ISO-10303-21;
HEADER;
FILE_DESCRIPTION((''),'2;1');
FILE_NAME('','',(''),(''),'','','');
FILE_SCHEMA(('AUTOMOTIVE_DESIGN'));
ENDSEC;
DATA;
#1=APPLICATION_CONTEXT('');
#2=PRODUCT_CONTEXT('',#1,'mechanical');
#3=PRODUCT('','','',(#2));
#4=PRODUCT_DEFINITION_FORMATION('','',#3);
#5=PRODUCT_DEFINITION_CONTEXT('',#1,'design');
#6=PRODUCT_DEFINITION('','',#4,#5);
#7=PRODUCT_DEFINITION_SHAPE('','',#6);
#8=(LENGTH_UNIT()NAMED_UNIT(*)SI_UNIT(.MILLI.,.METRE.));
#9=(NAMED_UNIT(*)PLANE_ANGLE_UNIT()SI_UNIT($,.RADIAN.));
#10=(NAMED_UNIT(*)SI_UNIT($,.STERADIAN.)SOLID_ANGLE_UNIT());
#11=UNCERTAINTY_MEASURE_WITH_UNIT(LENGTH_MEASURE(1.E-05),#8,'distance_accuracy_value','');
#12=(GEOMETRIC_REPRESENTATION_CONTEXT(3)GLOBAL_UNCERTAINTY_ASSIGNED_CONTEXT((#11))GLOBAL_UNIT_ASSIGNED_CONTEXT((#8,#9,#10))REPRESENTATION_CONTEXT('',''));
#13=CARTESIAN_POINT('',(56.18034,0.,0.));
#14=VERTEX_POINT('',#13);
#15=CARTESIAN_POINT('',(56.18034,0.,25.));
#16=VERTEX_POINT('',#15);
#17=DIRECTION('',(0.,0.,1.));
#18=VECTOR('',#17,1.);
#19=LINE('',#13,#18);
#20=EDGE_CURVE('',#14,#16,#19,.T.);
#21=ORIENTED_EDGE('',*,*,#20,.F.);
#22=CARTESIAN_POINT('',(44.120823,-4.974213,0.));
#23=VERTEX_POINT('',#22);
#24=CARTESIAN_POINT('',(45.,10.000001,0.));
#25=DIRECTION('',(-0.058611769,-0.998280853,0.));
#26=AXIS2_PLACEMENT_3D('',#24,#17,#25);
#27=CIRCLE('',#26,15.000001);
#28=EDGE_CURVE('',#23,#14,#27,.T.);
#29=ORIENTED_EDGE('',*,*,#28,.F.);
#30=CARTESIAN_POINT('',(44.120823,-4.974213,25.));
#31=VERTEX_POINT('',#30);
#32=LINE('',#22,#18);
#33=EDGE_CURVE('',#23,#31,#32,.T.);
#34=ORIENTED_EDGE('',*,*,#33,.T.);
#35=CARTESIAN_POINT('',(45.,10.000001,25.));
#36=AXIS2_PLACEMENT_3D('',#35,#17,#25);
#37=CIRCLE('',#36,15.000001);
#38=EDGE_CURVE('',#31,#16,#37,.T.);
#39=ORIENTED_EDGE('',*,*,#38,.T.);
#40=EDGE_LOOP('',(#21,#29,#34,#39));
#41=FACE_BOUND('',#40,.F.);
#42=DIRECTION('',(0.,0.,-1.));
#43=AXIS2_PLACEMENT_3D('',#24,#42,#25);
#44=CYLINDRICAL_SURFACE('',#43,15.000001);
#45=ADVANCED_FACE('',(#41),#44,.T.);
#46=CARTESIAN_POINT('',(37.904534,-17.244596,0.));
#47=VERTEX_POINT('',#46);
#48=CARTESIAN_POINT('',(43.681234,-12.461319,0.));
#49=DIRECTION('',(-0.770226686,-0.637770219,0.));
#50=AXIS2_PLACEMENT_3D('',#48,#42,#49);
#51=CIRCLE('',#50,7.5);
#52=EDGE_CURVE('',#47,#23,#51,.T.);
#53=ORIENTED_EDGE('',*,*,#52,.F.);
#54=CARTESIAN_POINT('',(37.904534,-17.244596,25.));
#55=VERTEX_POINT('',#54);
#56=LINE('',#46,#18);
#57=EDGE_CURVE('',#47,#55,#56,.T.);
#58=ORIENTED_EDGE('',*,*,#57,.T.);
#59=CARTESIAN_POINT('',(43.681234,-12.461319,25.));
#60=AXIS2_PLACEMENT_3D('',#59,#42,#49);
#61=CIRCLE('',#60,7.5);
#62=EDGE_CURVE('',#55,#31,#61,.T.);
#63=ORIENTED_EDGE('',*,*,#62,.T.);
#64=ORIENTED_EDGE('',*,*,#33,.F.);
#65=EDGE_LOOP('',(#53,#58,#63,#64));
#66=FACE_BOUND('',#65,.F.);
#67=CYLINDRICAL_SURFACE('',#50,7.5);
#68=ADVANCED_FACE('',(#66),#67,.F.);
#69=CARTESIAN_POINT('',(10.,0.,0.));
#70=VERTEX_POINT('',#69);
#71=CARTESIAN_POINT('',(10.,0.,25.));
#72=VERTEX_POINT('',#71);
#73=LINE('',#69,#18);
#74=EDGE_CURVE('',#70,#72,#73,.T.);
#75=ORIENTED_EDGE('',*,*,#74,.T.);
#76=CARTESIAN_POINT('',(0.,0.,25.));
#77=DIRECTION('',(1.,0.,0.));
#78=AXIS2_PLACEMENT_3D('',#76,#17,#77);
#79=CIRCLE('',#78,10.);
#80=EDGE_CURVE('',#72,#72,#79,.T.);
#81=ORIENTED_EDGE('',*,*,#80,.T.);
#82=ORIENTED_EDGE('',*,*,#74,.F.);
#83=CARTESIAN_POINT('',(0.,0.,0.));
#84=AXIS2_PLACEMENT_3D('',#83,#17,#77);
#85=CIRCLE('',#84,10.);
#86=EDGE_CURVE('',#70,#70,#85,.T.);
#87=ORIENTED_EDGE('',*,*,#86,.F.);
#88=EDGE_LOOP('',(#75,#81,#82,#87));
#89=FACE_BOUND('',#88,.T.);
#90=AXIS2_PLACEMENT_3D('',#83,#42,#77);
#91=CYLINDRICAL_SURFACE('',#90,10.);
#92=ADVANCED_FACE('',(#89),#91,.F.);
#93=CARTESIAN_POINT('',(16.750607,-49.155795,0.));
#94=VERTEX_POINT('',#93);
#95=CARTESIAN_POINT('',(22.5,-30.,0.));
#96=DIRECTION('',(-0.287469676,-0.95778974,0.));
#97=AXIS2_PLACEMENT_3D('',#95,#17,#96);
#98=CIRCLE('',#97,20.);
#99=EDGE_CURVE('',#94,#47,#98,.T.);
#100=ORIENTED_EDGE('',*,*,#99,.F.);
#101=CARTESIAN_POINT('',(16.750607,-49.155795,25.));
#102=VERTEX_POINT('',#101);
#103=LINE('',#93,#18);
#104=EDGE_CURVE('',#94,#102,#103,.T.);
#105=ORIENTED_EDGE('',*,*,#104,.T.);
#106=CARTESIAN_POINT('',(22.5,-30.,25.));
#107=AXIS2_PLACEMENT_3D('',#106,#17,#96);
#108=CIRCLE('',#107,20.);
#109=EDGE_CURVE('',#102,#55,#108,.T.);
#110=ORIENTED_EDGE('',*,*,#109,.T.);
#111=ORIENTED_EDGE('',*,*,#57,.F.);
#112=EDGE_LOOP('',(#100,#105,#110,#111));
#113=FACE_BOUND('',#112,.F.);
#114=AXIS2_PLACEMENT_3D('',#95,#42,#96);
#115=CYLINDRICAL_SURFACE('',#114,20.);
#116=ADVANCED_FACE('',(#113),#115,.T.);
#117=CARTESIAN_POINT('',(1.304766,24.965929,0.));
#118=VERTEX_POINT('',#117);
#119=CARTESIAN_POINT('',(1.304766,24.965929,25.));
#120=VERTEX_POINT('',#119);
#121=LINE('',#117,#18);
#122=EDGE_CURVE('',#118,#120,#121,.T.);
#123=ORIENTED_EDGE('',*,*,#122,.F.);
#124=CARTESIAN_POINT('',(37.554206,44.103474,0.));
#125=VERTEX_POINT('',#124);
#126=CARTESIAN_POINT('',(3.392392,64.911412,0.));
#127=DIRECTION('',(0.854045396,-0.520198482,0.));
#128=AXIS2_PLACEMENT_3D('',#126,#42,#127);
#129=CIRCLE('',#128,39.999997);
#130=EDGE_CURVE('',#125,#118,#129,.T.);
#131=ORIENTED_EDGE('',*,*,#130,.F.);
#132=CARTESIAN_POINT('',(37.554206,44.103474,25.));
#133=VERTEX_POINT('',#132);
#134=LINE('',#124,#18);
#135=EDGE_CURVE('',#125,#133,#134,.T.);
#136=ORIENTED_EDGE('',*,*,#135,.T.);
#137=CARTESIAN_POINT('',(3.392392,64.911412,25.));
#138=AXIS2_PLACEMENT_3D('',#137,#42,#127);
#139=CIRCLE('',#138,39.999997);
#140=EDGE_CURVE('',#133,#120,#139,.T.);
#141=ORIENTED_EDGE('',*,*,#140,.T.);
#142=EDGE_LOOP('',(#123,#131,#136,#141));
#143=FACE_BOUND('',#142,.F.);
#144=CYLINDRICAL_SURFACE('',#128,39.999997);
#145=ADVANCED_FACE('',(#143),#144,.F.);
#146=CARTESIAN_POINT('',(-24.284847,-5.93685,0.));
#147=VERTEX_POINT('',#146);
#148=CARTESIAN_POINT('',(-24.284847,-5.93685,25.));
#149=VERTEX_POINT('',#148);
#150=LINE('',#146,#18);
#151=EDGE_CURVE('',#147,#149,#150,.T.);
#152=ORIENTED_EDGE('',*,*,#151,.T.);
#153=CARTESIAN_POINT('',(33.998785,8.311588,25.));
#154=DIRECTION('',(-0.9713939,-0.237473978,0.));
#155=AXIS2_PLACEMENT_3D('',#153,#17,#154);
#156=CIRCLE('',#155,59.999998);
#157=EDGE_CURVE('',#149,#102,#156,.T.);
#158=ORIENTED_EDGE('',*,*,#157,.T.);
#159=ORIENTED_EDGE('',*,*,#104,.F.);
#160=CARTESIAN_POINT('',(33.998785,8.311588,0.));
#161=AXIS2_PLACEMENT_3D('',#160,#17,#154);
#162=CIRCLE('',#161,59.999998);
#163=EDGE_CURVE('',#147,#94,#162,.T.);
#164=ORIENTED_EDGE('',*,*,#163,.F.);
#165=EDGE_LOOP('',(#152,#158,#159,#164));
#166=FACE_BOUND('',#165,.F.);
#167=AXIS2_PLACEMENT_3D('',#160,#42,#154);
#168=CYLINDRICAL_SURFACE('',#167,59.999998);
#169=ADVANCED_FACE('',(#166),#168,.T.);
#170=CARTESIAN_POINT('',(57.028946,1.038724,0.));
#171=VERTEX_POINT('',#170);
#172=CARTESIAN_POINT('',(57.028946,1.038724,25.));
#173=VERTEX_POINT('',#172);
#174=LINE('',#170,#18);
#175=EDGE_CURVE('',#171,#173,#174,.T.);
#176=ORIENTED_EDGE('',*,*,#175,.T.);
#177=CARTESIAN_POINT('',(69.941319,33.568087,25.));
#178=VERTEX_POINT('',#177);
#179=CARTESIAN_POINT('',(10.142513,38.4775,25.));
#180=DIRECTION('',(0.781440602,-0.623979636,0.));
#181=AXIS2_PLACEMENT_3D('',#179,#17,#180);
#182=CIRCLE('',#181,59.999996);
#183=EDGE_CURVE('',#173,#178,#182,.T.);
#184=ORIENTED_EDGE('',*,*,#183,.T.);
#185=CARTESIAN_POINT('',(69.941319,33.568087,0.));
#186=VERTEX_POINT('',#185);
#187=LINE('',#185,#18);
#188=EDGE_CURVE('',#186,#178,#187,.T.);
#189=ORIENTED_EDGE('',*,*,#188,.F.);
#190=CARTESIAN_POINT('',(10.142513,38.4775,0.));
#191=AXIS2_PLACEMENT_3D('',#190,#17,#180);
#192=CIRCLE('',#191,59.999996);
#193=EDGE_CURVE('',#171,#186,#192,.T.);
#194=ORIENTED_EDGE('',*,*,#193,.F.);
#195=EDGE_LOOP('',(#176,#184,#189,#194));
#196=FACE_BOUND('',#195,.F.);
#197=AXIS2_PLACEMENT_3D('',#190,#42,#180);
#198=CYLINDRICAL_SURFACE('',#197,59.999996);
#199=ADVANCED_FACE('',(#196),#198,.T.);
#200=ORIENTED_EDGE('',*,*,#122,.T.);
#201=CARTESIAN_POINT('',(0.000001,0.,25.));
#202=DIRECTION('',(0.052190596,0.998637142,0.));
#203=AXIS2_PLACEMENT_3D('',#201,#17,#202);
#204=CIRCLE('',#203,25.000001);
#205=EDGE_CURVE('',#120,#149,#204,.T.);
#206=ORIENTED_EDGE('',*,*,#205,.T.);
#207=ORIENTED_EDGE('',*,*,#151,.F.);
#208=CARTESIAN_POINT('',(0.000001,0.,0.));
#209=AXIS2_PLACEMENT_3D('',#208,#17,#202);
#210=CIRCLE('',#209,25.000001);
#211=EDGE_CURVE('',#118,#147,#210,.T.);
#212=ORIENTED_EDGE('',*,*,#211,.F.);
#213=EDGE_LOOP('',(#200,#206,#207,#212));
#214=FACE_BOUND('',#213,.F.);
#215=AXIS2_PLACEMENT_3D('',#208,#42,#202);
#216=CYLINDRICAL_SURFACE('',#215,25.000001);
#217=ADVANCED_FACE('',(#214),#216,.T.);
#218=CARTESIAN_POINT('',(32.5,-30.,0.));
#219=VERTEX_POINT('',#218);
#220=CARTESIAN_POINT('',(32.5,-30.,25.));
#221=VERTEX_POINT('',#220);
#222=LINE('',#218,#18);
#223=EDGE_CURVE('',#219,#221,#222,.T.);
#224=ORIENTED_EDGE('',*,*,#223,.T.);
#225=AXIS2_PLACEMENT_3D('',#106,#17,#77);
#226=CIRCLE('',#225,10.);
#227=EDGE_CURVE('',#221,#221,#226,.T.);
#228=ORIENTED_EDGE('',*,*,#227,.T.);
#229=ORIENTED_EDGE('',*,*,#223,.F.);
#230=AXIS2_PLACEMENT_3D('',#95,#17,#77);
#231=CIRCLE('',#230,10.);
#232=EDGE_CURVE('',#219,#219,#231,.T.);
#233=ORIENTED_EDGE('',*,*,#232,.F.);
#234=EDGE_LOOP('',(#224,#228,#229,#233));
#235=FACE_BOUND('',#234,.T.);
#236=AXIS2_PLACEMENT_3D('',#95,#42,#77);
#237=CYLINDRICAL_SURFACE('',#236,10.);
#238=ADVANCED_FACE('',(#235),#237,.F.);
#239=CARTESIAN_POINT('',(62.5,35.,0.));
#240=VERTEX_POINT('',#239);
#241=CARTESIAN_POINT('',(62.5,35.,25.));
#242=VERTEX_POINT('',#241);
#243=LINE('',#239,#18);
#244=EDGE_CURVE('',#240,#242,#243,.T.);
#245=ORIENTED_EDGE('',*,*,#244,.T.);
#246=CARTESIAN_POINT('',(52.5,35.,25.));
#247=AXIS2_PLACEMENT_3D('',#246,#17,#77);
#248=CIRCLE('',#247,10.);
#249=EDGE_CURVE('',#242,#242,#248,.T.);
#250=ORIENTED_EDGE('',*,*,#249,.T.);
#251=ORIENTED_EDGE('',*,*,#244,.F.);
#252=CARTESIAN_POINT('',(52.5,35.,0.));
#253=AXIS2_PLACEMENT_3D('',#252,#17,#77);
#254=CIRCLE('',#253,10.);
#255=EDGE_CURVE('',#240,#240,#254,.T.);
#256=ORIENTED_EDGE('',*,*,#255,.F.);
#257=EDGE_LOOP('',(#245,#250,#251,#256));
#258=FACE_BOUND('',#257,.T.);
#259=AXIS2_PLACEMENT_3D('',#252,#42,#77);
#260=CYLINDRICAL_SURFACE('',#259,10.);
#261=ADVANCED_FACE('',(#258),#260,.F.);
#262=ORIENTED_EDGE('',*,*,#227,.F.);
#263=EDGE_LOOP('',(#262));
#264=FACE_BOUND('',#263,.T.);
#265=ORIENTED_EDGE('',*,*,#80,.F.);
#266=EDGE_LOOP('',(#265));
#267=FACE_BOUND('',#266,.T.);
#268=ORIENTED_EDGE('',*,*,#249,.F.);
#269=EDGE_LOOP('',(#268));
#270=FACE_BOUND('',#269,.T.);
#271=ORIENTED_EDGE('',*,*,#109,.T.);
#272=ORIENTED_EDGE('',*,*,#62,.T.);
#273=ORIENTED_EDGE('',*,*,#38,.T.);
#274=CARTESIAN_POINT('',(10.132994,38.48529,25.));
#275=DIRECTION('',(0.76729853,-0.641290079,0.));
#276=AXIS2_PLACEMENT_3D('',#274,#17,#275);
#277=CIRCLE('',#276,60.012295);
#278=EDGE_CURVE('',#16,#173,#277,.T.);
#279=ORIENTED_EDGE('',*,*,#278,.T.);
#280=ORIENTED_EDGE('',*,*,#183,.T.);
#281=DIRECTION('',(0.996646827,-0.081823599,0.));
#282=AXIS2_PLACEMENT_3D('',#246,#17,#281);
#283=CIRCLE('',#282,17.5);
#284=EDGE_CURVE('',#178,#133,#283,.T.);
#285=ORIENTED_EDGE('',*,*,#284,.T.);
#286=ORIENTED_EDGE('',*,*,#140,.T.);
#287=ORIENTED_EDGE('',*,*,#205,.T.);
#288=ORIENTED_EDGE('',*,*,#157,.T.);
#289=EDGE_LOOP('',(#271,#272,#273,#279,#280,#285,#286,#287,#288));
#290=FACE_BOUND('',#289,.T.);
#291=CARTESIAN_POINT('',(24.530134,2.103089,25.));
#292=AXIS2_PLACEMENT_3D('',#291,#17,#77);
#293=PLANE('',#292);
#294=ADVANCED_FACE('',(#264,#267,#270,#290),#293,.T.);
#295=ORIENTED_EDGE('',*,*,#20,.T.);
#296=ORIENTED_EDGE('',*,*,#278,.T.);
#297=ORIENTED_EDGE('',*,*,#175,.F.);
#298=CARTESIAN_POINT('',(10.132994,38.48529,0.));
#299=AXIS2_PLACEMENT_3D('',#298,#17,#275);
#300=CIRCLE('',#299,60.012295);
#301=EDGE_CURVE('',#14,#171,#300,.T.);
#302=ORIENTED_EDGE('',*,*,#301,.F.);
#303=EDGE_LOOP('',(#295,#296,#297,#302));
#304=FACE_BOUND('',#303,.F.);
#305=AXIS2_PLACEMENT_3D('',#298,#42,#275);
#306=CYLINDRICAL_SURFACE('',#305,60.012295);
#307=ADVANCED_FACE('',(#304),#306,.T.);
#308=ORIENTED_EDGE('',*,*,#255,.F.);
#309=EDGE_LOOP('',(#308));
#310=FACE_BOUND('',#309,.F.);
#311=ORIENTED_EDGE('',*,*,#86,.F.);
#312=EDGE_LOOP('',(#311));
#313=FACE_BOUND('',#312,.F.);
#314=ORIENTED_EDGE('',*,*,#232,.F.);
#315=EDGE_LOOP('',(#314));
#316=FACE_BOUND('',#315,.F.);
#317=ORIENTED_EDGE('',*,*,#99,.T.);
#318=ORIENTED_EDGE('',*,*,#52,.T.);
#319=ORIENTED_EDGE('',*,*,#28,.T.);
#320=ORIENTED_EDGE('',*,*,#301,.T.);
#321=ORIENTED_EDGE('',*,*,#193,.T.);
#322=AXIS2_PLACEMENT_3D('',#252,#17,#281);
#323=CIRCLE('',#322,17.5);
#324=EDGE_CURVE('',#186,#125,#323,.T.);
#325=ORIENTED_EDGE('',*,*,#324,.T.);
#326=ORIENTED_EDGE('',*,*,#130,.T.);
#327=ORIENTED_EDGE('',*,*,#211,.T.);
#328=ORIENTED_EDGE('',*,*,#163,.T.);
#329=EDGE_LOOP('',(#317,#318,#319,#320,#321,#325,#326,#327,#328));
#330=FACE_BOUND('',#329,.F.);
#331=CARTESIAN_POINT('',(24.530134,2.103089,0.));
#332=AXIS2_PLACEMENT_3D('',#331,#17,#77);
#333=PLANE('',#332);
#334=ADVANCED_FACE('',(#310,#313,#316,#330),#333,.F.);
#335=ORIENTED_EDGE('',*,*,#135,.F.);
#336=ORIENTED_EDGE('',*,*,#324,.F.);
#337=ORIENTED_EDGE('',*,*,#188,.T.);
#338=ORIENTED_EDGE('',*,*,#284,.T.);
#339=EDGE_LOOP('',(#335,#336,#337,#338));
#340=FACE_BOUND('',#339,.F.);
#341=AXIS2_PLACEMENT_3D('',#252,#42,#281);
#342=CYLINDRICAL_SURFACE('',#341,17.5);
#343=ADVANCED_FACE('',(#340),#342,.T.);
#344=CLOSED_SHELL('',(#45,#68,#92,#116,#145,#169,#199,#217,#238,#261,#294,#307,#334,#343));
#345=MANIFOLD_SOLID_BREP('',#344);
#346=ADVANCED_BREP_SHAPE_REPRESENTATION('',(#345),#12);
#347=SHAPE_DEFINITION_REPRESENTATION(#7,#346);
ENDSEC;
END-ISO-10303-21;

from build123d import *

# Parameters (mm, degrees)
F0_R     = 10
F1_DEPTH = 25


with BuildPart() as f1:
    # F0 (on Top) → F1 (new body)
    with BuildSketch(Plane.XY):
        with BuildLine():
            ThreePointArc((37.554206, 44.103474), (22.067235, 29.538399), (1.304766, 24.965929))
            ThreePointArc((1.304766, 24.965929), (-19.255297, 15.944702), (-24.284847, -5.93685))
            ThreePointArc((-24.284847, -5.93685), (-9.512511, -33.001447), (16.750607, -49.155795))
            ThreePointArc((16.750607, -49.155795), (39.169931, -41.050494), (37.904534, -17.244596))
            ThreePointArc((37.904534, -17.244596), (36.990811, -9.071889), (44.120823, -4.974213))
            ThreePointArc((44.120823, -4.974213), (50.719632, -3.866716), (56.18034, 0))
            ThreePointArc((56.18034, 0), (56.607545, 0.516991), (57.028946, 1.038724))
            ThreePointArc((57.028946, 1.038724), (65.909662, 16.341), (69.941319, 33.568087))
            ThreePointArc((69.941319, 33.568087), (57.913456, 51.641649), (37.554206, 44.103474))
        make_face()
        Circle(F0_R, mode=Mode.SUBTRACT)
        with Locations((22.5, -30)):
            Circle(F0_R, mode=Mode.SUBTRACT)
        with Locations((52.5, 35)):
            Circle(F0_R, mode=Mode.SUBTRACT)
    extrude(amount=F1_DEPTH)


solid = f1.part
